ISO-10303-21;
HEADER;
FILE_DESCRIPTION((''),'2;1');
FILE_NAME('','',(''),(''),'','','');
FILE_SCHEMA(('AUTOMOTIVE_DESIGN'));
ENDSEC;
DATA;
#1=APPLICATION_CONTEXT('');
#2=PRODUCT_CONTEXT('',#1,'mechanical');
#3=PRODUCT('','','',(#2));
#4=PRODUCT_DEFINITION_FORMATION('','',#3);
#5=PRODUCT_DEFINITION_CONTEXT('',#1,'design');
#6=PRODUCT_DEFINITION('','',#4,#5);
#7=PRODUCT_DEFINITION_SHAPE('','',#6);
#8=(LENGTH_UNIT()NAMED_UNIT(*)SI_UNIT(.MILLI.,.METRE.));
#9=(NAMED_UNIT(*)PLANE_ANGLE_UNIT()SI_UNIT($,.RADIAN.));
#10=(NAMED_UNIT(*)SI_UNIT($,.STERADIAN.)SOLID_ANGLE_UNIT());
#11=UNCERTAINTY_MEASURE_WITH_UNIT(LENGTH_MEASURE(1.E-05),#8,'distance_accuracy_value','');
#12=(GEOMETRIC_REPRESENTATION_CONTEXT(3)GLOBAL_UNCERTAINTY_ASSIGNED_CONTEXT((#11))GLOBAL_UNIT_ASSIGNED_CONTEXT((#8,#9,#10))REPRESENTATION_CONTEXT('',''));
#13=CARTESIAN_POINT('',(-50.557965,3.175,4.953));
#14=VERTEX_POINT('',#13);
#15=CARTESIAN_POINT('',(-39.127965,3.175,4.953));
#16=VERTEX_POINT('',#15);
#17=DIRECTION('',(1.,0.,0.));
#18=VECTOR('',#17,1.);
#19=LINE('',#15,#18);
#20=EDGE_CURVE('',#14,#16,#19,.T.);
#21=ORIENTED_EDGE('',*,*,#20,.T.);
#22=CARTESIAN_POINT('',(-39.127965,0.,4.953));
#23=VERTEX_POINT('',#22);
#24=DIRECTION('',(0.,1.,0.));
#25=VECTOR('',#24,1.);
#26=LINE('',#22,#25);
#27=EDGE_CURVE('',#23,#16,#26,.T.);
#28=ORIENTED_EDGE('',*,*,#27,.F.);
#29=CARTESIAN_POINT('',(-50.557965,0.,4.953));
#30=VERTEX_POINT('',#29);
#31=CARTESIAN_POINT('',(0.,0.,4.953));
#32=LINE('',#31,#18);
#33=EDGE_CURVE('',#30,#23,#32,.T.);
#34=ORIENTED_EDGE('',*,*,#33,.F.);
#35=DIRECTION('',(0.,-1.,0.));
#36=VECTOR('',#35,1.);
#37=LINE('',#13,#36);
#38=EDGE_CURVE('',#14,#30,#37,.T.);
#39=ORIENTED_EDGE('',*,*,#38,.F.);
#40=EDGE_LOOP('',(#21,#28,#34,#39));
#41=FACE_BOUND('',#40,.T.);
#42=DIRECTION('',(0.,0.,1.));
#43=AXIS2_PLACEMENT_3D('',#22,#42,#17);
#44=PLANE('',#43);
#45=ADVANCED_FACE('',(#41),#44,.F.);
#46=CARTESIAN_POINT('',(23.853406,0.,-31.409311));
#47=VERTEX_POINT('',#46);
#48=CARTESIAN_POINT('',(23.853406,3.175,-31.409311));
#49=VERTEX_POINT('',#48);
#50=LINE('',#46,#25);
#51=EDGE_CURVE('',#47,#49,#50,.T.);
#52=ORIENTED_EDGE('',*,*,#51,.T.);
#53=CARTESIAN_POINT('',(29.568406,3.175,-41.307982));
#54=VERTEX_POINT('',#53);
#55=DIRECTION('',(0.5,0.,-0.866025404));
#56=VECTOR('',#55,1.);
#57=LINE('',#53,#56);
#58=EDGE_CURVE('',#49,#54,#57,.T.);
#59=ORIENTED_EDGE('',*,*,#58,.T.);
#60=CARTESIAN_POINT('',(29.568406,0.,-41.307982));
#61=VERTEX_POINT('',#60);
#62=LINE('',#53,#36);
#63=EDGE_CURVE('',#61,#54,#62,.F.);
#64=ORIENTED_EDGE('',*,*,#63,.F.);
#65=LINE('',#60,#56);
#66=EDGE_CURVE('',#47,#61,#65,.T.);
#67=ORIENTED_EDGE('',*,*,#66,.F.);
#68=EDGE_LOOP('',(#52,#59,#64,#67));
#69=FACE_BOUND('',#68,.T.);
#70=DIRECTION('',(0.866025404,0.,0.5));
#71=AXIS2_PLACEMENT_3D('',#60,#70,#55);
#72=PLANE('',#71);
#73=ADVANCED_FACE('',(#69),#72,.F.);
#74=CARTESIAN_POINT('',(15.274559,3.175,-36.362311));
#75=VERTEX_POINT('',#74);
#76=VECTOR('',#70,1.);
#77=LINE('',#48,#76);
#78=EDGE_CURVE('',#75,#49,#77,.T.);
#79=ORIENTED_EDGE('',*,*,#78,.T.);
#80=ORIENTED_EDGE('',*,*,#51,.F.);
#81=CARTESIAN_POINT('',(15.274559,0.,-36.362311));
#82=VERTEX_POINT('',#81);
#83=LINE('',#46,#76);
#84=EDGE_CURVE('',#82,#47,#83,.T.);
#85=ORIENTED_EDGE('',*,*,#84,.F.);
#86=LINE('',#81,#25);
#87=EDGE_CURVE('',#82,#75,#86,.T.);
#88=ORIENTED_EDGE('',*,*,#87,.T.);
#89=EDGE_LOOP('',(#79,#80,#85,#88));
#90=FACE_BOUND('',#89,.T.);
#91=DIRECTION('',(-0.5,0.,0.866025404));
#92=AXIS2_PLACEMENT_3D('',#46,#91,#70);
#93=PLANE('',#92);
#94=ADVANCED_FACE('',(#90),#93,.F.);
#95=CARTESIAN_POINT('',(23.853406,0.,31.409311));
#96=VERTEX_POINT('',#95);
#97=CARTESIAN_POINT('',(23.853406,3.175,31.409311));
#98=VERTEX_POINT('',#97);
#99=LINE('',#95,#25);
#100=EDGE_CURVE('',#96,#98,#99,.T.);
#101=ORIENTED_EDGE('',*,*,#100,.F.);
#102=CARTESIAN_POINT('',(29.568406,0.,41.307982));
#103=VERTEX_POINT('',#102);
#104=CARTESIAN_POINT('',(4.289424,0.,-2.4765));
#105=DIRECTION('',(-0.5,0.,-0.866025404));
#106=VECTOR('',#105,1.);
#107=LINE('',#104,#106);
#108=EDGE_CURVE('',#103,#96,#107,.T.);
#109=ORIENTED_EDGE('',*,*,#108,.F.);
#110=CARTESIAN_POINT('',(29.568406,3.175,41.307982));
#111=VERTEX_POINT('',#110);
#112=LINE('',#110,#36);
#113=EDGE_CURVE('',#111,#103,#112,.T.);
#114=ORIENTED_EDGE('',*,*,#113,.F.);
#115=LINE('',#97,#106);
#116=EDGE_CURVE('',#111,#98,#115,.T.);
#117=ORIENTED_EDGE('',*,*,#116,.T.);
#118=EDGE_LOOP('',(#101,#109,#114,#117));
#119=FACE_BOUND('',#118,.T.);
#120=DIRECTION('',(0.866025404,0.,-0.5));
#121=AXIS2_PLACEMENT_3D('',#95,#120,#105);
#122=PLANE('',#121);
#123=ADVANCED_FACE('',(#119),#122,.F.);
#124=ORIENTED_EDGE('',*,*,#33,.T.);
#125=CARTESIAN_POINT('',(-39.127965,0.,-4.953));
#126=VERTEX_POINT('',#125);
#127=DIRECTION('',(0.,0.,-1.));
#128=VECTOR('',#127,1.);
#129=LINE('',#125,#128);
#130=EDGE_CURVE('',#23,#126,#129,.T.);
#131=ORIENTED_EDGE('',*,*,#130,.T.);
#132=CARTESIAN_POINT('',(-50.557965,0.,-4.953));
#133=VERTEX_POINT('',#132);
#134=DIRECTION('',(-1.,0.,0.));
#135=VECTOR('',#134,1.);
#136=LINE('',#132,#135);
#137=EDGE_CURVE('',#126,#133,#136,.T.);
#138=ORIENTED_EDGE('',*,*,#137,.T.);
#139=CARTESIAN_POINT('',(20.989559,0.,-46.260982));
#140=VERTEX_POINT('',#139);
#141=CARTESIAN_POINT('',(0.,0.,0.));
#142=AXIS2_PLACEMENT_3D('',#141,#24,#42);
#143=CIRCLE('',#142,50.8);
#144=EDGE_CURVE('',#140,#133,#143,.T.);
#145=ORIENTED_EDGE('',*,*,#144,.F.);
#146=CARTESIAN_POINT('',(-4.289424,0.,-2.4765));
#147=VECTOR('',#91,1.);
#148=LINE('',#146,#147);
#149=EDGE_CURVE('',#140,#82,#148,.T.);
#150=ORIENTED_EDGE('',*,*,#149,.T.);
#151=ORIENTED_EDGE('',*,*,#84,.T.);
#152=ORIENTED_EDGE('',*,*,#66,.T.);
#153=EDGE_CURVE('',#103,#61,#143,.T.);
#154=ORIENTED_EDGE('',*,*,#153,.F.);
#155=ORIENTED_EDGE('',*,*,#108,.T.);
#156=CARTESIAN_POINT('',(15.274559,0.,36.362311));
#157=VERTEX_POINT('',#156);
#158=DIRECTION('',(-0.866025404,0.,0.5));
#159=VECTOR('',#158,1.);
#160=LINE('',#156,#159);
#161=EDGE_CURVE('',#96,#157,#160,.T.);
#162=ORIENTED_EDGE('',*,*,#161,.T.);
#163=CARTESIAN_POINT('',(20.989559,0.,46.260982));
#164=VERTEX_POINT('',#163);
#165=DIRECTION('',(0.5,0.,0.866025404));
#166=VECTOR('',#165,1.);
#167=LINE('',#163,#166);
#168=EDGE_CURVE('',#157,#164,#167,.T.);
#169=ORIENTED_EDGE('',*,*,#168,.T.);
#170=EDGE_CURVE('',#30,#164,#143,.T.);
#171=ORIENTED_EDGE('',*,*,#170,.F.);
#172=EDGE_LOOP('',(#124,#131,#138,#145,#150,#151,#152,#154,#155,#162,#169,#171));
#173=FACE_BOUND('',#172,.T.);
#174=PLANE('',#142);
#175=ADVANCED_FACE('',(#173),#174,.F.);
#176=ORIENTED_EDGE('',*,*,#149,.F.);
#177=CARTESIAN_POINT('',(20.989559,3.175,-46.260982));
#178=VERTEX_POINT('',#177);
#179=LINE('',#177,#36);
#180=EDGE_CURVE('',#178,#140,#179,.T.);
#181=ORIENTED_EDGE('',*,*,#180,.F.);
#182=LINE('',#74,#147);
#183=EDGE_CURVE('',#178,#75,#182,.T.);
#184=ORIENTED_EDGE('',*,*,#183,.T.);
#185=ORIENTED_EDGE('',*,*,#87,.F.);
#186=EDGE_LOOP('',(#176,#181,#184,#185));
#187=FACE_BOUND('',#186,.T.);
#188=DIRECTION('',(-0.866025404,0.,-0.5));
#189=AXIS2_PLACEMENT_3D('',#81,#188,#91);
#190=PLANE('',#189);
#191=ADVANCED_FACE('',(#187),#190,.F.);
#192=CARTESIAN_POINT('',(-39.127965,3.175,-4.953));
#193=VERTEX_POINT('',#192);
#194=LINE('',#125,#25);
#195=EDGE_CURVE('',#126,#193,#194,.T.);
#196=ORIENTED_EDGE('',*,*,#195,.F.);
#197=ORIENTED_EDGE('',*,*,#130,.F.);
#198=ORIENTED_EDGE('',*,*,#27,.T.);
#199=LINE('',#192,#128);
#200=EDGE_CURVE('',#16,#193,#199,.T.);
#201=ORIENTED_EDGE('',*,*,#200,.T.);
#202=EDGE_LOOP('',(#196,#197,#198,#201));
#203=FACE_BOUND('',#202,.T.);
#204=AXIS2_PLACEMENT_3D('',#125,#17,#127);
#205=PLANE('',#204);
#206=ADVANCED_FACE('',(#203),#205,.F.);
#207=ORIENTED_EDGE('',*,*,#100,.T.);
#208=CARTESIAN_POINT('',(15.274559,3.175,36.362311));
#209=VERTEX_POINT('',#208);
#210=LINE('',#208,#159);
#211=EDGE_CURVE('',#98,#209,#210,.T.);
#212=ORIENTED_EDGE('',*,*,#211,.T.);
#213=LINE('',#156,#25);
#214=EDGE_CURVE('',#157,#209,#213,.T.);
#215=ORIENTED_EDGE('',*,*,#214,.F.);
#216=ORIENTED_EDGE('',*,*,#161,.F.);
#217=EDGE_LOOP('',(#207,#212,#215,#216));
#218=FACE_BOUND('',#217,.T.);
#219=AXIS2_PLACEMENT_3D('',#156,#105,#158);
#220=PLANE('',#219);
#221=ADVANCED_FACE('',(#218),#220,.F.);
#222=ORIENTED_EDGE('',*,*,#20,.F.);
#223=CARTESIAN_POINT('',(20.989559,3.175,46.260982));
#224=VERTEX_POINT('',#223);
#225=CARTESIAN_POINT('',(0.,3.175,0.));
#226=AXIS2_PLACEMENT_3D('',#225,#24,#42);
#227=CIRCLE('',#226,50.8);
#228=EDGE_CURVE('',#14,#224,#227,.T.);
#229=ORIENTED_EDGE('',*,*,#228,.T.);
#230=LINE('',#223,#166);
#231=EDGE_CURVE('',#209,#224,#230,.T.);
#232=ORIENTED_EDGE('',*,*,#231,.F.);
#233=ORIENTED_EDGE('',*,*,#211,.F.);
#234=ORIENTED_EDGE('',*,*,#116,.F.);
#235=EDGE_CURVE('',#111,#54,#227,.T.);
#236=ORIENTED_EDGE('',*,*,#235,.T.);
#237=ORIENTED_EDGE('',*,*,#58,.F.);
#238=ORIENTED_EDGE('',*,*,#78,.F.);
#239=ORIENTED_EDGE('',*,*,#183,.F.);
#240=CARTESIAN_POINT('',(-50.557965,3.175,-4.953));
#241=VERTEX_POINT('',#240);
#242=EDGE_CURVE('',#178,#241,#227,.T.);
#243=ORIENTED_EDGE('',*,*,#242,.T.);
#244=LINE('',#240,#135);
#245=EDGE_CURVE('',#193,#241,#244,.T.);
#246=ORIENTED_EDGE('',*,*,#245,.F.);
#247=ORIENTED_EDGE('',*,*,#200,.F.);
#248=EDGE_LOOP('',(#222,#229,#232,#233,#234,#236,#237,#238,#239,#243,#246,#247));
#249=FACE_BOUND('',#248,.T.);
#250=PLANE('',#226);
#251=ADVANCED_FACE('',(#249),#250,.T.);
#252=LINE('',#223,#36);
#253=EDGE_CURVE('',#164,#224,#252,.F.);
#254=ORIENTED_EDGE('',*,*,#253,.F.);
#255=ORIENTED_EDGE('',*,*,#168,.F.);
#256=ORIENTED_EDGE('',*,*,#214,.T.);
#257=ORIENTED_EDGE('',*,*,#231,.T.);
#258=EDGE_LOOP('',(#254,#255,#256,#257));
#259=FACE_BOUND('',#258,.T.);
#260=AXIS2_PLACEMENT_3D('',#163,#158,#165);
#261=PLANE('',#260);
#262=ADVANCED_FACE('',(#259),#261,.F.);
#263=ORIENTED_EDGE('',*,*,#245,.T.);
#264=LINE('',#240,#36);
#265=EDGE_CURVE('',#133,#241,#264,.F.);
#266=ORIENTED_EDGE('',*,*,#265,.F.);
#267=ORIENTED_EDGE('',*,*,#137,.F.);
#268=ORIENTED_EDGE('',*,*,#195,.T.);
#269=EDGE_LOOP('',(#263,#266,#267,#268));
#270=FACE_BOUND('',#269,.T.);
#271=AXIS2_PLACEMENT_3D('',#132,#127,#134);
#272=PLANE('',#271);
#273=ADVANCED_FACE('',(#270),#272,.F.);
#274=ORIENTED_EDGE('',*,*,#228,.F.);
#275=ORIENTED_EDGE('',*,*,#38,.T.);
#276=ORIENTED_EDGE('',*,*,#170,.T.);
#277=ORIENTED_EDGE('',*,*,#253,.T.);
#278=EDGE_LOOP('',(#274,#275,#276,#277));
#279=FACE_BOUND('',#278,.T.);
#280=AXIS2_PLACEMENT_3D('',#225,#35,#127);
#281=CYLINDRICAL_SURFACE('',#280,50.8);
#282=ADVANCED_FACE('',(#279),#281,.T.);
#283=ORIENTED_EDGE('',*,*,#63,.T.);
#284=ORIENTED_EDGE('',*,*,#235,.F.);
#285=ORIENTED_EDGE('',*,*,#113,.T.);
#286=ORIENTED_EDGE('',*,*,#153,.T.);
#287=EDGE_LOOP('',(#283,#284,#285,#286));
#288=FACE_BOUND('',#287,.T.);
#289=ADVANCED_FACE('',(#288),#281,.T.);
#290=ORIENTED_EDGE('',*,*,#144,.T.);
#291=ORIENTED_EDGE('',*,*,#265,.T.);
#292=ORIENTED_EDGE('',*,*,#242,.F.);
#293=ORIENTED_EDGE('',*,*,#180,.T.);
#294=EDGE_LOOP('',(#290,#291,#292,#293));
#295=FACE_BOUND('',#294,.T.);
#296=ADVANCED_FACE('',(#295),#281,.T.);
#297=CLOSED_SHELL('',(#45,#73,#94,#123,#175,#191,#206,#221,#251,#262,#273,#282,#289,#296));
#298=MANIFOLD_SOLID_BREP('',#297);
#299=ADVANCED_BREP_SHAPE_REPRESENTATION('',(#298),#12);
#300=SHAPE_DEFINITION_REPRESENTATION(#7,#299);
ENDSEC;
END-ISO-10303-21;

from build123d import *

# Parameters (mm, degrees)
SKETCH1_R         = 50.8
EXTRUDE1_DEPTH    = 3.175
EXTRUDE2_DEPTH    = 72.912172996
CIRPATTERN1_COUNT = 2
CIRPATTERN1_ANGLE = 120
CIRPATTERN2_COUNT = 2
CIRPATTERN2_ANGLE = 120


with BuildPart() as part:
    # Sketch1 → Extrude1 (new body)
    with BuildSketch(Plane(origin=(0, 0, 0), x_dir=(1, 0, 0), z_dir=(0, 1, 0))):
        with Locations(Location((0, 0, 0), (0, 0, 270))):
            Circle(SKETCH1_R)
    extrude(amount=EXTRUDE1_DEPTH)

    # Sketch3 → Extrude2 (cut, through all)
    with BuildSketch(Plane(origin=(0, 3.175, 0), x_dir=(-1, 0, 0), z_dir=(0, 1, 0))):
        Polygon((42.177913697, -4.953), (39.127964664, -4.953), (39.127964664, 4.953), (42.302964664, 4.953), (50.557964664, 4.953), (52.875390068, 4.953), (52.875390068, -4.953), (50.557964664, -4.953), align=None)
    extrude2 = extrude(amount=-EXTRUDE2_DEPTH, mode=Mode.SUBTRACT)

    # CirPattern1: Extrude2 ×2 about axis
    cirpattern1_axis = Axis((0, 38.178274824, 0), (0, -1, 0))
    for i in range(1, CIRPATTERN1_COUNT):
        add(extrude2.rotate(cirpattern1_axis, i * CIRPATTERN1_ANGLE / (CIRPATTERN1_COUNT - 1)), mode=Mode.SUBTRACT)

    # CirPattern2: Extrude2 ×2 about axis
    cirpattern2_axis = Axis((0, 0, 0), (0, 1, 0))
    for i in range(1, CIRPATTERN2_COUNT):
        add(extrude2.rotate(cirpattern2_axis, i * CIRPATTERN2_ANGLE / (CIRPATTERN2_COUNT - 1)), mode=Mode.SUBTRACT)


solid = part.part
